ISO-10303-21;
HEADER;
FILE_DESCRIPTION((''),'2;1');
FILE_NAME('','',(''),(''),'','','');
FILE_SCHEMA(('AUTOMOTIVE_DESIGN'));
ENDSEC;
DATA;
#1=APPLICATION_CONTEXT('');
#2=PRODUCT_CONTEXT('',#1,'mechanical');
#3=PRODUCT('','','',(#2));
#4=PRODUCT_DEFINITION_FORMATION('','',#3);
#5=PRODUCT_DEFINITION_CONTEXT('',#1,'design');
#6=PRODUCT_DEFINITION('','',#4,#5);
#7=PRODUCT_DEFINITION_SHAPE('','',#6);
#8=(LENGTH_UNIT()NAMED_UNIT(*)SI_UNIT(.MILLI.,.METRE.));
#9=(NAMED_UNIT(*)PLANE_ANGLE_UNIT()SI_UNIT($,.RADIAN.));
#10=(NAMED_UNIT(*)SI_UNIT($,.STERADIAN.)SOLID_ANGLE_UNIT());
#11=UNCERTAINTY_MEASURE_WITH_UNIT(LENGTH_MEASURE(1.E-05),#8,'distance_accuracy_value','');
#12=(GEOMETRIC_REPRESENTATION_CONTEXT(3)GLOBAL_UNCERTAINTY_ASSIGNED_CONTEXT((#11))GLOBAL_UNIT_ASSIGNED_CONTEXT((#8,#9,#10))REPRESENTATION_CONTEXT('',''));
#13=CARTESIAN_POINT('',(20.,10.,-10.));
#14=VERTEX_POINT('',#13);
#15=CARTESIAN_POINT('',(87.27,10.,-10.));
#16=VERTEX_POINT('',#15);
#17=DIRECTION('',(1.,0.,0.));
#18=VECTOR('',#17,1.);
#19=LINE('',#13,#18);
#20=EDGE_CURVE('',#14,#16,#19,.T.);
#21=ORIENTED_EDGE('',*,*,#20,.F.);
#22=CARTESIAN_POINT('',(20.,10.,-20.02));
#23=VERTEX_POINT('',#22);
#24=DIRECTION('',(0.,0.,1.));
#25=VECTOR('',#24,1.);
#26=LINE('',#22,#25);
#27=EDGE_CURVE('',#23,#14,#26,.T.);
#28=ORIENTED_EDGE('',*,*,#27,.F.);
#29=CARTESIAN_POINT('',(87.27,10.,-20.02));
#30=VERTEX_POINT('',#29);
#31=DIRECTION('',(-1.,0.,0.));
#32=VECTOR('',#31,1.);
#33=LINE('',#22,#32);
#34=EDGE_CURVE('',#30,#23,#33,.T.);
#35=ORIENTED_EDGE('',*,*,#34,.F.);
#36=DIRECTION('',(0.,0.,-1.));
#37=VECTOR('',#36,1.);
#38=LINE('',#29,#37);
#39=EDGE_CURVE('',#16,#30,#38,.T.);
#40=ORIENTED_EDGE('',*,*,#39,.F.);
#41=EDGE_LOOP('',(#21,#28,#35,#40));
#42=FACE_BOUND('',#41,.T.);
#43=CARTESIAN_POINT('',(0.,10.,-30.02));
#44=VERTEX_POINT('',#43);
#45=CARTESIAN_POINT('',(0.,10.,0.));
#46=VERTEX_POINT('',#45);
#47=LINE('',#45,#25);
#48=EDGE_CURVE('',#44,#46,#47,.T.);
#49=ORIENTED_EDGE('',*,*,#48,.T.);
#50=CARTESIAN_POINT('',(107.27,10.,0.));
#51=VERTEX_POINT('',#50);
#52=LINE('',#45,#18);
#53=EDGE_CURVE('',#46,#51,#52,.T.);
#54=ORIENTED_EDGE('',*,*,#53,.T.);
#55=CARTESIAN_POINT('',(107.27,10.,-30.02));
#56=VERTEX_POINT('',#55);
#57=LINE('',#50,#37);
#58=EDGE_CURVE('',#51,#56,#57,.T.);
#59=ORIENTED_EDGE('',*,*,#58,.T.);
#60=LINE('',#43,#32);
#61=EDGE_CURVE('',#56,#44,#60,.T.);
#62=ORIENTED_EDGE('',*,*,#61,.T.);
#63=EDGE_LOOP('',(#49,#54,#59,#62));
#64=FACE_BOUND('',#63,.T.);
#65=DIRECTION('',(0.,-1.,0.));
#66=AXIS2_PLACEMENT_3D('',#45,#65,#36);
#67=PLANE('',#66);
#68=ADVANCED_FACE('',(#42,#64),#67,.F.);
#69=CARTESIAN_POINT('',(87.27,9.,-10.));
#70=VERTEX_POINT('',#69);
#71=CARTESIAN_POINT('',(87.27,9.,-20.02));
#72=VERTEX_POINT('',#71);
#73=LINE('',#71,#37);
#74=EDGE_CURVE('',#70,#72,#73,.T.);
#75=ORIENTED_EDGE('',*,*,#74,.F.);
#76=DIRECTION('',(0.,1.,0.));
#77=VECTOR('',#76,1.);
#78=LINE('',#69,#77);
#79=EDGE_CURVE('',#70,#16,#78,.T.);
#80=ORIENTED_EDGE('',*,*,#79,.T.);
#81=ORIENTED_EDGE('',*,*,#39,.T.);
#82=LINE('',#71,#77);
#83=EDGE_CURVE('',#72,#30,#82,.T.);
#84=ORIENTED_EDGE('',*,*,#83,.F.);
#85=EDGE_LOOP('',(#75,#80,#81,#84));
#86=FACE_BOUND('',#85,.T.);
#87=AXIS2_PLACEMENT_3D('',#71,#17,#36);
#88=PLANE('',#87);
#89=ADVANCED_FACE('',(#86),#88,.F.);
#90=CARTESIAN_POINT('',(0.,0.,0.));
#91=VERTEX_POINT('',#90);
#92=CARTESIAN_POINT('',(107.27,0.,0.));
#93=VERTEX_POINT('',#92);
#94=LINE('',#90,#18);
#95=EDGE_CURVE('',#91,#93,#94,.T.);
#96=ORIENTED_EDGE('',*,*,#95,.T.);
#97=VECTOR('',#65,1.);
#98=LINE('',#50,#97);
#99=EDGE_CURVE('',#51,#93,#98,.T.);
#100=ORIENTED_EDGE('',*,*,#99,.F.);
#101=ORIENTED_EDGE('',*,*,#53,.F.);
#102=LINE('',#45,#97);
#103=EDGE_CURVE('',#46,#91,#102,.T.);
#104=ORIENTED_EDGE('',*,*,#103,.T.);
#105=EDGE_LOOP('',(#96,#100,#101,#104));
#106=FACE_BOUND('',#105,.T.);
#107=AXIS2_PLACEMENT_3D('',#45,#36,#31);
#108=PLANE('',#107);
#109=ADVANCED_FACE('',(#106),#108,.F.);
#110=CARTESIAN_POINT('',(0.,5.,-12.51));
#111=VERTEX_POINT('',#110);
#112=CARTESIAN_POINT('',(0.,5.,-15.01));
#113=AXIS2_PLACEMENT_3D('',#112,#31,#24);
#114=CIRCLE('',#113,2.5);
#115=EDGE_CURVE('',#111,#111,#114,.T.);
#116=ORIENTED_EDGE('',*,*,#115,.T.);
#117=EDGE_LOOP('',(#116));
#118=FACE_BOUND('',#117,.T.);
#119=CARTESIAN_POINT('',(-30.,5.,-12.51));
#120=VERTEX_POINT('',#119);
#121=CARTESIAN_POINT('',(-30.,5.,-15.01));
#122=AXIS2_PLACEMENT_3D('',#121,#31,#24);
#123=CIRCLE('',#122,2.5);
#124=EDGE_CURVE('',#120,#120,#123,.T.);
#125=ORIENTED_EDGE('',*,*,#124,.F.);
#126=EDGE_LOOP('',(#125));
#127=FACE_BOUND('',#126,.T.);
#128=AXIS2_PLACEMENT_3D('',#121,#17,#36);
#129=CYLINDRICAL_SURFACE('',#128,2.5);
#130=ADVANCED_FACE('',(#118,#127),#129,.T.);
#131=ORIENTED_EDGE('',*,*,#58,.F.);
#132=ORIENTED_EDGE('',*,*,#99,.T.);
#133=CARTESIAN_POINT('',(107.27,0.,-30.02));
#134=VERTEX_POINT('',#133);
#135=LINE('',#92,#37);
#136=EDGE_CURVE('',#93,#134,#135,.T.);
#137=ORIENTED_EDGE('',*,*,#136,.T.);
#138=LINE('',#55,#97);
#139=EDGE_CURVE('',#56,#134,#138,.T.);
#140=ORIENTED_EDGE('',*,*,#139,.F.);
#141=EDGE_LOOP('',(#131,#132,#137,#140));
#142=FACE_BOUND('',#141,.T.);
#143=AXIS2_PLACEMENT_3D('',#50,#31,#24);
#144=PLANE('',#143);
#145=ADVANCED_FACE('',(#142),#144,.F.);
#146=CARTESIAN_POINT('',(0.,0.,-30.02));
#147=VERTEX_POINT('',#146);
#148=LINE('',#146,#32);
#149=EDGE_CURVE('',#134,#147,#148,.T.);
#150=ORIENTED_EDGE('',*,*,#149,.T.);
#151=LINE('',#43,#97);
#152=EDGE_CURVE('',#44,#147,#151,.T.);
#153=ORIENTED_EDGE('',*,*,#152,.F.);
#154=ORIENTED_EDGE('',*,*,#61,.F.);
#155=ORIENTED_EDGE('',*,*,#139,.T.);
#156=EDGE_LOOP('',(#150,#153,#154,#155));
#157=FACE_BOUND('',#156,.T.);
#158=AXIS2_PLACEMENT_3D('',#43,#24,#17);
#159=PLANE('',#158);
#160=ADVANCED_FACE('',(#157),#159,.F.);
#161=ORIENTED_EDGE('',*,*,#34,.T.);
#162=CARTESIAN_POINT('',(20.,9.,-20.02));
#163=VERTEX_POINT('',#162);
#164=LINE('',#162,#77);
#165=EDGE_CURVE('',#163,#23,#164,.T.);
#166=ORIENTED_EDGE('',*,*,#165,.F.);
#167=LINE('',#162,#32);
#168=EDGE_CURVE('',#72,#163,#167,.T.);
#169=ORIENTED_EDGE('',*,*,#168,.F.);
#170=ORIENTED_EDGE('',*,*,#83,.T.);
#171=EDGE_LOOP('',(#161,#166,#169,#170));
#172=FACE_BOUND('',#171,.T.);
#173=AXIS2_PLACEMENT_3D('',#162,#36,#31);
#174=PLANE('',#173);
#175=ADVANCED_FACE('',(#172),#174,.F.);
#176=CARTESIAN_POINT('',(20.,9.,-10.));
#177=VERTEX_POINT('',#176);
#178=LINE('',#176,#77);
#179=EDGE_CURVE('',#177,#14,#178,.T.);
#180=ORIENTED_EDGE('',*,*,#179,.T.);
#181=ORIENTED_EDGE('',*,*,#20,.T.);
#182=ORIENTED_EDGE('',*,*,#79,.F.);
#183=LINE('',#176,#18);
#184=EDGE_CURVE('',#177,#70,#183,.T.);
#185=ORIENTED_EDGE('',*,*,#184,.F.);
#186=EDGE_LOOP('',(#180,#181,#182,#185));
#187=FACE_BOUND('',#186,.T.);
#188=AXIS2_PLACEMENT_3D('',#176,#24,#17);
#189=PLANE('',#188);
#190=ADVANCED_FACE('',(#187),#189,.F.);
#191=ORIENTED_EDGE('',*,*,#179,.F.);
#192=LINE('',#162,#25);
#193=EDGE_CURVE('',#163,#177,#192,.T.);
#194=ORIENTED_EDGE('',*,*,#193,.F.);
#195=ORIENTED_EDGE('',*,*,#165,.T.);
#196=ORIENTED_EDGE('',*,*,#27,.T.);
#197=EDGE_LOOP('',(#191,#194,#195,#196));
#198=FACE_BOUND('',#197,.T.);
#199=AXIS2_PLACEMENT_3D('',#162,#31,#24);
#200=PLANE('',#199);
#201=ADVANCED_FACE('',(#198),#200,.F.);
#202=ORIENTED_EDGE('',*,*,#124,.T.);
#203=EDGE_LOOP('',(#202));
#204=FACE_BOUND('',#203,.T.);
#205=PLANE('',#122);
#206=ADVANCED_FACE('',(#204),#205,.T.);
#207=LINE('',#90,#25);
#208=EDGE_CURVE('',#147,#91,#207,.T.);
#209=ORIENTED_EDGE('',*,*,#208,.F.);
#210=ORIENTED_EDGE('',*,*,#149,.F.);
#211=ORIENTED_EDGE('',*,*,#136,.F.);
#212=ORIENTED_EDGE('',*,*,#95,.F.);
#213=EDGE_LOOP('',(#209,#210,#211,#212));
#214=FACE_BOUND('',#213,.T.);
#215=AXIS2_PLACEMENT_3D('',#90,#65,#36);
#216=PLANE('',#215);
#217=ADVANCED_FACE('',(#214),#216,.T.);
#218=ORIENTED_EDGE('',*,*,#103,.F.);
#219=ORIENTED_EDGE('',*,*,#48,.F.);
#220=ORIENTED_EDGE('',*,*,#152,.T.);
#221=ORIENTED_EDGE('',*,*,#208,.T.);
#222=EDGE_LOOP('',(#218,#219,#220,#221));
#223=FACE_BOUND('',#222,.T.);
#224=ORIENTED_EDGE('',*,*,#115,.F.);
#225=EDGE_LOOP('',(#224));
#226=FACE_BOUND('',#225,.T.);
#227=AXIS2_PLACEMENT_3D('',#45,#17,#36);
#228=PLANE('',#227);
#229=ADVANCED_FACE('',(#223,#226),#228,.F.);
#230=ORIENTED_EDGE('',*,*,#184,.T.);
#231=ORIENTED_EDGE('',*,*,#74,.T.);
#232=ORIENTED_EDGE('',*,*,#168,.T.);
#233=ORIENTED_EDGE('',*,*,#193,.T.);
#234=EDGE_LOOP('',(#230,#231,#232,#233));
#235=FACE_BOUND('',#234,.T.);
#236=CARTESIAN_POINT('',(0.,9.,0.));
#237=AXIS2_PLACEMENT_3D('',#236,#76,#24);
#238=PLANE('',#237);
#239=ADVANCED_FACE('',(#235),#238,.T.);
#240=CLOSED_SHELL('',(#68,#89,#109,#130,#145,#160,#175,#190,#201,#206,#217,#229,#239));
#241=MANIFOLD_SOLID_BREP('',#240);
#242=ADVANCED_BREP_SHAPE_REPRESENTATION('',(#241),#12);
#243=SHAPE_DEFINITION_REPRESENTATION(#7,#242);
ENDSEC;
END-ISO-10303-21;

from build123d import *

# Parameters (mm, degrees)
SKETCH1_W           = 107.27
SKETCH1_H           = 30.02
BOSS_EXTRUDE1_DEPTH = 10
SKETCH2_R           = 2.5
BOSS_EXTRUDE2_DEPTH = 30
SKETCH3_W           = 67.27
SKETCH3_H           = 10.02
CUT_EXTRUDE1_DEPTH  = 1


with BuildPart() as part:
    # Sketch1 → Boss-Extrude1 (new body)
    with BuildSketch(Plane(origin=(0, 0, 0), x_dir=(1, 0, 0), z_dir=(0, 1, 0))):
        with Locations((53.635, 15.01)):
            Rectangle(SKETCH1_W, SKETCH1_H)
    extrude(amount=BOSS_EXTRUDE1_DEPTH)

    # Sketch2 → Boss-Extrude2 (add)
    with BuildSketch(Plane.ZY):
        with Locations((-15.01, 5)):
            Circle(SKETCH2_R)
    extrude(amount=BOSS_EXTRUDE2_DEPTH)

    # Sketch3 → Cut-Extrude1 (cut)
    with BuildSketch(Plane(origin=(0, 10, 0), x_dir=(1, 0, 0), z_dir=(0, 1, 0))):
        with Locations((53.635, 15.01)):
            Rectangle(SKETCH3_W, SKETCH3_H)
    extrude(amount=-CUT_EXTRUDE1_DEPTH, mode=Mode.SUBTRACT)


solid = part.part
